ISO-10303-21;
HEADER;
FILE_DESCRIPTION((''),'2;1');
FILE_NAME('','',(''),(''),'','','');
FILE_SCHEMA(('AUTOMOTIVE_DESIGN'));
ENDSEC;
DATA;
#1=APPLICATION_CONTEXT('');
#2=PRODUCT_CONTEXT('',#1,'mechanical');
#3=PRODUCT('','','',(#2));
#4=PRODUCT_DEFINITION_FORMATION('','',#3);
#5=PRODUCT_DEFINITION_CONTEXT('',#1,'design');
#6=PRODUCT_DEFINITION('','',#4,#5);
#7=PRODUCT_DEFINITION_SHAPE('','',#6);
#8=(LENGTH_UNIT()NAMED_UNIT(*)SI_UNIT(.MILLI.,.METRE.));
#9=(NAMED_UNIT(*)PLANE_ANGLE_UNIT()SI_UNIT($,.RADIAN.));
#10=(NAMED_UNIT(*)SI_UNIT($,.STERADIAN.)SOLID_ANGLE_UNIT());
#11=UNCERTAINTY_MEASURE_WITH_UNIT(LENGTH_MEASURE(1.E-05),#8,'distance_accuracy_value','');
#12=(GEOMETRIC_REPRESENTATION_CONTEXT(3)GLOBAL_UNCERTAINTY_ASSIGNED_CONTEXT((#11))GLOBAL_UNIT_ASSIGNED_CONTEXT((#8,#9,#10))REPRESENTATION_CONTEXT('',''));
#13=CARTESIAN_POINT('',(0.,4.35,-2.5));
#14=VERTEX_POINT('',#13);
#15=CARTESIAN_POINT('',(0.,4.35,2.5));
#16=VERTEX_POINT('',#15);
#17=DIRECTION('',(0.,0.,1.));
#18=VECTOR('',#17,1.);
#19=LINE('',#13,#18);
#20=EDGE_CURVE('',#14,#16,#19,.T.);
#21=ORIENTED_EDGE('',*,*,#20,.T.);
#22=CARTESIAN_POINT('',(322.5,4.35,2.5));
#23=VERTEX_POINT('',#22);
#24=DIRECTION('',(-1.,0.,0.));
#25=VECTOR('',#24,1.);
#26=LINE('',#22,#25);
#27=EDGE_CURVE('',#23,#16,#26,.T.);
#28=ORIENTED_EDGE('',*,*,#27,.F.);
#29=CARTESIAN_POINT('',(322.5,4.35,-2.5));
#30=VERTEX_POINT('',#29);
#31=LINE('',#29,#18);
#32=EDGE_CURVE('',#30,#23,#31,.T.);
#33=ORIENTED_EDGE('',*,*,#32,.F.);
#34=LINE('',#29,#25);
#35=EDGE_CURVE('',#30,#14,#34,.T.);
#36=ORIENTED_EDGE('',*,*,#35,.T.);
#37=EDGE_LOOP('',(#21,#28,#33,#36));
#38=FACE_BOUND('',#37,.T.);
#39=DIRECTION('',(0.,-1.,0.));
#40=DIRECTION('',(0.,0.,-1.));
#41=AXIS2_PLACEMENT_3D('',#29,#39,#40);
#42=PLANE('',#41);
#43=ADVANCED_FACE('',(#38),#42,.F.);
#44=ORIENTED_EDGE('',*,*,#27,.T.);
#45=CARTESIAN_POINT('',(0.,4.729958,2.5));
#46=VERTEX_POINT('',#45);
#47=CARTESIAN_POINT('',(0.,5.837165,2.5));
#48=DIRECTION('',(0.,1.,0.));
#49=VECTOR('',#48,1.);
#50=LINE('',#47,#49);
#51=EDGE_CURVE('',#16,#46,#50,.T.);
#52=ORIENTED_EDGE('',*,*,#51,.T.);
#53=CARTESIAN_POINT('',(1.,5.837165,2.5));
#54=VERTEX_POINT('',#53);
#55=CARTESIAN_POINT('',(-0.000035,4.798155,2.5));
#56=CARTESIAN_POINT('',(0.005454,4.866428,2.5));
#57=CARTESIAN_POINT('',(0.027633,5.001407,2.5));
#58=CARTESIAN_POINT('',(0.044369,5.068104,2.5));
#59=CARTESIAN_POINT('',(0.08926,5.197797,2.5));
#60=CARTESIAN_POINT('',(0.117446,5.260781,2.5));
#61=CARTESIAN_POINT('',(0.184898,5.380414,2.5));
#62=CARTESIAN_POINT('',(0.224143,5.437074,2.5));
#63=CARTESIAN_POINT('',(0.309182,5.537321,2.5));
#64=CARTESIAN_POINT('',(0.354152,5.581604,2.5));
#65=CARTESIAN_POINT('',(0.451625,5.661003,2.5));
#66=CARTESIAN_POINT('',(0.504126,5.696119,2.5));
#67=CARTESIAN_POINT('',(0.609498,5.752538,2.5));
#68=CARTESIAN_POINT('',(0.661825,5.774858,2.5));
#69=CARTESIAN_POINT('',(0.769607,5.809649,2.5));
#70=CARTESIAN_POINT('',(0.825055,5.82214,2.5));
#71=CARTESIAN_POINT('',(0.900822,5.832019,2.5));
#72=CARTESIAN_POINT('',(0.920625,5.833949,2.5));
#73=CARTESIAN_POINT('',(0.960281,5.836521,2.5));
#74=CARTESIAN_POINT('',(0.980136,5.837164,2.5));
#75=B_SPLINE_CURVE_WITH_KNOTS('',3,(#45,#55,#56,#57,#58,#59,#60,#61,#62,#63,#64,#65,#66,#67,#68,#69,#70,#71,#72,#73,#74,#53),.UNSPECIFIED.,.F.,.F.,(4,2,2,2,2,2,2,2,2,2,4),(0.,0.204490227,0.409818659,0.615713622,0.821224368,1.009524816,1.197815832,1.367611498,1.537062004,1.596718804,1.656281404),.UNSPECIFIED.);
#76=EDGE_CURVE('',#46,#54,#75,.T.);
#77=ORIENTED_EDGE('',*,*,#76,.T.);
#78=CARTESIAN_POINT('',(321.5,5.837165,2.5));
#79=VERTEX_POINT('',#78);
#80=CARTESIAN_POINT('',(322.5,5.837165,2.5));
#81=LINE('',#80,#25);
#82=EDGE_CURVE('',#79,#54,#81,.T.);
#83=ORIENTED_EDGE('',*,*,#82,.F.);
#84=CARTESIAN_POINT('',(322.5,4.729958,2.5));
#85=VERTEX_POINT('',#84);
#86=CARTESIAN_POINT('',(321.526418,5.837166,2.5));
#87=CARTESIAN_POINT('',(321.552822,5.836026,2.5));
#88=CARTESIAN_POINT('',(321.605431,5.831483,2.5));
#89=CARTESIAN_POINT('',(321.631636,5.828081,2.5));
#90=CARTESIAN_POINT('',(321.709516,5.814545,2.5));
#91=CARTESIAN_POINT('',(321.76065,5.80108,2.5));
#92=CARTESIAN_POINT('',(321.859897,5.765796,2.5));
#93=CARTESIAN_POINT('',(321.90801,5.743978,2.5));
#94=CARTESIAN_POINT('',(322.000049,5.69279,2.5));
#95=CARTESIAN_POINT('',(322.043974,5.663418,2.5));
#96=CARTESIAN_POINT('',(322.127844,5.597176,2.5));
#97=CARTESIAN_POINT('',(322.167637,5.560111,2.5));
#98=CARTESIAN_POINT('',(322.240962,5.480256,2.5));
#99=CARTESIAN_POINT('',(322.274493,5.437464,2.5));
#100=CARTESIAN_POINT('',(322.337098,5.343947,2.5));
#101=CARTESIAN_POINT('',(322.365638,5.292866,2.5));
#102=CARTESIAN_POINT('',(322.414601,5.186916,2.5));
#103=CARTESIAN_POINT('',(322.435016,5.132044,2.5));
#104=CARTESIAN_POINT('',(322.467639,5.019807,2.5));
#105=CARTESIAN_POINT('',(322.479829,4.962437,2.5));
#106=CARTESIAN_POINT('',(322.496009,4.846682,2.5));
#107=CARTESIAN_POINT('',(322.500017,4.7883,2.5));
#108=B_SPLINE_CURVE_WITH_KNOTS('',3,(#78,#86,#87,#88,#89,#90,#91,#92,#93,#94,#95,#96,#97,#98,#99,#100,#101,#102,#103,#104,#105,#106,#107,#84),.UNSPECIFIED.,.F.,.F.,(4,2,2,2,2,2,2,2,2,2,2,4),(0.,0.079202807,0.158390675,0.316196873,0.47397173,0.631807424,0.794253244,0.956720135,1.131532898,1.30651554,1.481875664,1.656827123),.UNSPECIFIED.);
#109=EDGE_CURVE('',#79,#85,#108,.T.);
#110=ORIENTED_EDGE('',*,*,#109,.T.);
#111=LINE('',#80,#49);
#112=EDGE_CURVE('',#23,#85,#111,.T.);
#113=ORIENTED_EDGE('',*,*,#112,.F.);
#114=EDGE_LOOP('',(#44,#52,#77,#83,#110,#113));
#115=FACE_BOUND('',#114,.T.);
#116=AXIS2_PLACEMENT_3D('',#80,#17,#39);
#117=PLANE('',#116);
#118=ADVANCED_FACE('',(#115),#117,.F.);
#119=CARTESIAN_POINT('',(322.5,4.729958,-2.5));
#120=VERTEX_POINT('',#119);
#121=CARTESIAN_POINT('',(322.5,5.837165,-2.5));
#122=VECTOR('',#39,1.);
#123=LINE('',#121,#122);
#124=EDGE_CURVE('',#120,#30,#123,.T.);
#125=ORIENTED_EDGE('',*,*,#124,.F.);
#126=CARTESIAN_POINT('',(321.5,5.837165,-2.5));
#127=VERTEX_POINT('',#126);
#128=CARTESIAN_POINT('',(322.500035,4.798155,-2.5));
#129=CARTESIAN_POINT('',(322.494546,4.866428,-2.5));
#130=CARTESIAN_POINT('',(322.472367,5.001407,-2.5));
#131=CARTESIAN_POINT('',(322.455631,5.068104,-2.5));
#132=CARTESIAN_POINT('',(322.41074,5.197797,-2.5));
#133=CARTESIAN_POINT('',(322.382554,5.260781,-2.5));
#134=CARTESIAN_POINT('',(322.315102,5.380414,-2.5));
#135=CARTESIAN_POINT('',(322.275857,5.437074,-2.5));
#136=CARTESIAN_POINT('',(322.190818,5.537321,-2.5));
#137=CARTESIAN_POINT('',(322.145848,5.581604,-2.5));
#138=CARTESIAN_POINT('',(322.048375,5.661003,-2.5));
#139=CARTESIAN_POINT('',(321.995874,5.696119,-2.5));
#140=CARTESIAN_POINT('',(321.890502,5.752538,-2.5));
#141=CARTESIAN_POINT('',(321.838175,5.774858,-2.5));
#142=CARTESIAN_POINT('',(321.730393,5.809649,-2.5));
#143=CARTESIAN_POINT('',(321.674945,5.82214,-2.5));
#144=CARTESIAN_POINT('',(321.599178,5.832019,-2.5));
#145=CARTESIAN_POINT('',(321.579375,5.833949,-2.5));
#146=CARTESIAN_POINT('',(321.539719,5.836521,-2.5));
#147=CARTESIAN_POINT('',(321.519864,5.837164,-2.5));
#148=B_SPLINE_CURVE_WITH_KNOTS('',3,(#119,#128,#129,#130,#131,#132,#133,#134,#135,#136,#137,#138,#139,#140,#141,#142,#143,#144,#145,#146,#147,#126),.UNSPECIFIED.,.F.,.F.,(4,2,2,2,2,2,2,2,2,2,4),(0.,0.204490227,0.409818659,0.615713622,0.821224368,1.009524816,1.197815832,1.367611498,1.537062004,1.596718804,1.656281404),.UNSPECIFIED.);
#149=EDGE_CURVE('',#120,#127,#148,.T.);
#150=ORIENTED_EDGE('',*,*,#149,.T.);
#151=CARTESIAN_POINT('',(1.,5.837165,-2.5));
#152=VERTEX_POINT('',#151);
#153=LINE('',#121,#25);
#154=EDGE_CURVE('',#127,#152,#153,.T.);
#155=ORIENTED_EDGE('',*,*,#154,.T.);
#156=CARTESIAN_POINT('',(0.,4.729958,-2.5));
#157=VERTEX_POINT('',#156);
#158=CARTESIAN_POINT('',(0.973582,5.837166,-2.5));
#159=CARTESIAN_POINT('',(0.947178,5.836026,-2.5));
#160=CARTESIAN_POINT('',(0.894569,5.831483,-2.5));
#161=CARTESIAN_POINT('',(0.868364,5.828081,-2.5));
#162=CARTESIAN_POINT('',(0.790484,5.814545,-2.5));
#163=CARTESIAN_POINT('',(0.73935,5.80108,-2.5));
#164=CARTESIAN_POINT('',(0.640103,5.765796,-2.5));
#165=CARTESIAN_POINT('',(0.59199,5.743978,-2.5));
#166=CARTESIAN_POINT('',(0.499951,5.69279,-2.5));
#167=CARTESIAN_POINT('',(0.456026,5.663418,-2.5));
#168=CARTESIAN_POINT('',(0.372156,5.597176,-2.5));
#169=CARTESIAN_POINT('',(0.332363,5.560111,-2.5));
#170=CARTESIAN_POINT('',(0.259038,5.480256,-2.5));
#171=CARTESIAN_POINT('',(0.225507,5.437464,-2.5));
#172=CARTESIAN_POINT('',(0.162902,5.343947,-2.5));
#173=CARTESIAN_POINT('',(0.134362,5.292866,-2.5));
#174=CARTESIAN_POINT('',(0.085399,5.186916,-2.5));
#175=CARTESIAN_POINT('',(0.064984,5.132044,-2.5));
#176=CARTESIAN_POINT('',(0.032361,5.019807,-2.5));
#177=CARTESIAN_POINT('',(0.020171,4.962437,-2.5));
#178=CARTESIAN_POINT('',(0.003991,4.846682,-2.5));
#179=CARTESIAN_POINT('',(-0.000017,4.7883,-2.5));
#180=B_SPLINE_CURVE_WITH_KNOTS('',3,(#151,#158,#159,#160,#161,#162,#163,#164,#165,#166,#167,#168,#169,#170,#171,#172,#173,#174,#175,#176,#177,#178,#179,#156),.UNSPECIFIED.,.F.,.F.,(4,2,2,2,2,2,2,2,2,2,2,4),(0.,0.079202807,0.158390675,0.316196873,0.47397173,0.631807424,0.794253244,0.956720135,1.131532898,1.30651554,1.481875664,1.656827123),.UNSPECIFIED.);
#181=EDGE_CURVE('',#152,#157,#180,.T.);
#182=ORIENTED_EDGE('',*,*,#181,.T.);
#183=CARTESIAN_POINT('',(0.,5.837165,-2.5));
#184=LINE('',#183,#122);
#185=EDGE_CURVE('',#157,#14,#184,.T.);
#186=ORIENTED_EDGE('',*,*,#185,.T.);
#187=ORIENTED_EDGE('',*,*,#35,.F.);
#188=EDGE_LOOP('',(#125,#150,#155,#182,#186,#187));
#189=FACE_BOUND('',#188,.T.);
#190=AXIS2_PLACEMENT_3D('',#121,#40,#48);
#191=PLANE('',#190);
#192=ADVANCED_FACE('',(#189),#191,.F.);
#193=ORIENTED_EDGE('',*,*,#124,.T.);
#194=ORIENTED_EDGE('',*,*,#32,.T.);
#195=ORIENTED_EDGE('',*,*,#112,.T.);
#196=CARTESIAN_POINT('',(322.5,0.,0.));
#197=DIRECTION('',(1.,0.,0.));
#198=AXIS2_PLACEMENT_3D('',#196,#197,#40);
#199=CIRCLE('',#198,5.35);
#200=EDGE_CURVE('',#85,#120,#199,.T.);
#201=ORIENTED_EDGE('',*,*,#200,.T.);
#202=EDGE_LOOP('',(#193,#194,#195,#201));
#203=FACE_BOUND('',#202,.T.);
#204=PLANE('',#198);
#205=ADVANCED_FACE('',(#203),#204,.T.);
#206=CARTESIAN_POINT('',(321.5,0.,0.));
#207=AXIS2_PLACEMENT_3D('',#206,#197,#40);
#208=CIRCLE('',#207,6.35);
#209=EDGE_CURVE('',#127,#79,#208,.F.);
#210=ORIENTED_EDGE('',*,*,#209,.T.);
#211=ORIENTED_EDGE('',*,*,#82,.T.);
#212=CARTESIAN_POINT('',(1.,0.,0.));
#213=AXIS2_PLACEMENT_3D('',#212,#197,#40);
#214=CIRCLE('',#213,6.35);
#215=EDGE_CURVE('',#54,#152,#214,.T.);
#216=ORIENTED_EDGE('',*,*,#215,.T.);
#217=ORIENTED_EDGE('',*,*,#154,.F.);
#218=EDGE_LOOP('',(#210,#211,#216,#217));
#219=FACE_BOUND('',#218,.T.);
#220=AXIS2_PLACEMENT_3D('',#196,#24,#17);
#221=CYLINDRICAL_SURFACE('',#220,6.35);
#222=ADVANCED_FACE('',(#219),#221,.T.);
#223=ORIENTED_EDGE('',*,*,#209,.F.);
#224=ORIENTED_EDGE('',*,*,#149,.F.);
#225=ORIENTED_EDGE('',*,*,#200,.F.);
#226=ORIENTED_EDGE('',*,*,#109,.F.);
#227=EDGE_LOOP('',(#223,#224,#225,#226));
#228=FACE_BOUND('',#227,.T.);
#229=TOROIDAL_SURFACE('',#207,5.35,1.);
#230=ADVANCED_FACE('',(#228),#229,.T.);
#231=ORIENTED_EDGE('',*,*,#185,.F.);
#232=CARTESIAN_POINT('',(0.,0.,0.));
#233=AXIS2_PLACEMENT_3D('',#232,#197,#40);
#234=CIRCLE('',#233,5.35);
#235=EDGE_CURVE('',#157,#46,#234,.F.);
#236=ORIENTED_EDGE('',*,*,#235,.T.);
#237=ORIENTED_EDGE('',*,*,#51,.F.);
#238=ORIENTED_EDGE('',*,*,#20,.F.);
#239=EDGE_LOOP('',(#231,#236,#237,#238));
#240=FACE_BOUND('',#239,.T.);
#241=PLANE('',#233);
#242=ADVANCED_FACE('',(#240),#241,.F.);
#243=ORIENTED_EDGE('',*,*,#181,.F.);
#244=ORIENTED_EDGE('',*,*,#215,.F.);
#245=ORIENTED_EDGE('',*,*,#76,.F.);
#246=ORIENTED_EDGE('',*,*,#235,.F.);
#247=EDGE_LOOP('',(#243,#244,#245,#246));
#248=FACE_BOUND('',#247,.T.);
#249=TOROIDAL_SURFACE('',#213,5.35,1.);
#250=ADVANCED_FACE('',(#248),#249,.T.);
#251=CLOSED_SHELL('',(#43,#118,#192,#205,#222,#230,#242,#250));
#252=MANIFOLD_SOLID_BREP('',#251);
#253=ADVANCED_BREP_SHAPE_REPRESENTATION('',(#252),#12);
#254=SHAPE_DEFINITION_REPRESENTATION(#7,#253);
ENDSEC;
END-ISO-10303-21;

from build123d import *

# Parameters (mm, degrees)
BOSS_EXTRUDE1_DEPTH = 322.5
FILLET1_R           = 1


with BuildPart() as part:
    # Sketch2 → Boss-Extrude1 (new body)
    with BuildSketch(Plane(origin=(0, 0, 0), x_dir=(0, 0, -1), z_dir=(1, 0, 0))):
        with BuildLine():
            Line((2.5, 5.837165408), (2.5, 4.35))
            Line((2.5, 4.35), (-2.5, 4.35))
            Line((-2.5, 4.35), (-2.5, 5.837165408))
            ThreePointArc((-2.5, 5.837165408), (0, -6.35), (2.5, 5.837165408))
        make_face()
    extrude(amount=BOSS_EXTRUDE1_DEPTH)

    # Fillet1
    fillet1_edges = [part.edges().sort_by_distance(p)[0] for p in [
        (0, -6.35, 0),
        (322.5, -6.35, 0),
    ]]
    fillet(fillet1_edges, radius=FILLET1_R)


solid = part.part
